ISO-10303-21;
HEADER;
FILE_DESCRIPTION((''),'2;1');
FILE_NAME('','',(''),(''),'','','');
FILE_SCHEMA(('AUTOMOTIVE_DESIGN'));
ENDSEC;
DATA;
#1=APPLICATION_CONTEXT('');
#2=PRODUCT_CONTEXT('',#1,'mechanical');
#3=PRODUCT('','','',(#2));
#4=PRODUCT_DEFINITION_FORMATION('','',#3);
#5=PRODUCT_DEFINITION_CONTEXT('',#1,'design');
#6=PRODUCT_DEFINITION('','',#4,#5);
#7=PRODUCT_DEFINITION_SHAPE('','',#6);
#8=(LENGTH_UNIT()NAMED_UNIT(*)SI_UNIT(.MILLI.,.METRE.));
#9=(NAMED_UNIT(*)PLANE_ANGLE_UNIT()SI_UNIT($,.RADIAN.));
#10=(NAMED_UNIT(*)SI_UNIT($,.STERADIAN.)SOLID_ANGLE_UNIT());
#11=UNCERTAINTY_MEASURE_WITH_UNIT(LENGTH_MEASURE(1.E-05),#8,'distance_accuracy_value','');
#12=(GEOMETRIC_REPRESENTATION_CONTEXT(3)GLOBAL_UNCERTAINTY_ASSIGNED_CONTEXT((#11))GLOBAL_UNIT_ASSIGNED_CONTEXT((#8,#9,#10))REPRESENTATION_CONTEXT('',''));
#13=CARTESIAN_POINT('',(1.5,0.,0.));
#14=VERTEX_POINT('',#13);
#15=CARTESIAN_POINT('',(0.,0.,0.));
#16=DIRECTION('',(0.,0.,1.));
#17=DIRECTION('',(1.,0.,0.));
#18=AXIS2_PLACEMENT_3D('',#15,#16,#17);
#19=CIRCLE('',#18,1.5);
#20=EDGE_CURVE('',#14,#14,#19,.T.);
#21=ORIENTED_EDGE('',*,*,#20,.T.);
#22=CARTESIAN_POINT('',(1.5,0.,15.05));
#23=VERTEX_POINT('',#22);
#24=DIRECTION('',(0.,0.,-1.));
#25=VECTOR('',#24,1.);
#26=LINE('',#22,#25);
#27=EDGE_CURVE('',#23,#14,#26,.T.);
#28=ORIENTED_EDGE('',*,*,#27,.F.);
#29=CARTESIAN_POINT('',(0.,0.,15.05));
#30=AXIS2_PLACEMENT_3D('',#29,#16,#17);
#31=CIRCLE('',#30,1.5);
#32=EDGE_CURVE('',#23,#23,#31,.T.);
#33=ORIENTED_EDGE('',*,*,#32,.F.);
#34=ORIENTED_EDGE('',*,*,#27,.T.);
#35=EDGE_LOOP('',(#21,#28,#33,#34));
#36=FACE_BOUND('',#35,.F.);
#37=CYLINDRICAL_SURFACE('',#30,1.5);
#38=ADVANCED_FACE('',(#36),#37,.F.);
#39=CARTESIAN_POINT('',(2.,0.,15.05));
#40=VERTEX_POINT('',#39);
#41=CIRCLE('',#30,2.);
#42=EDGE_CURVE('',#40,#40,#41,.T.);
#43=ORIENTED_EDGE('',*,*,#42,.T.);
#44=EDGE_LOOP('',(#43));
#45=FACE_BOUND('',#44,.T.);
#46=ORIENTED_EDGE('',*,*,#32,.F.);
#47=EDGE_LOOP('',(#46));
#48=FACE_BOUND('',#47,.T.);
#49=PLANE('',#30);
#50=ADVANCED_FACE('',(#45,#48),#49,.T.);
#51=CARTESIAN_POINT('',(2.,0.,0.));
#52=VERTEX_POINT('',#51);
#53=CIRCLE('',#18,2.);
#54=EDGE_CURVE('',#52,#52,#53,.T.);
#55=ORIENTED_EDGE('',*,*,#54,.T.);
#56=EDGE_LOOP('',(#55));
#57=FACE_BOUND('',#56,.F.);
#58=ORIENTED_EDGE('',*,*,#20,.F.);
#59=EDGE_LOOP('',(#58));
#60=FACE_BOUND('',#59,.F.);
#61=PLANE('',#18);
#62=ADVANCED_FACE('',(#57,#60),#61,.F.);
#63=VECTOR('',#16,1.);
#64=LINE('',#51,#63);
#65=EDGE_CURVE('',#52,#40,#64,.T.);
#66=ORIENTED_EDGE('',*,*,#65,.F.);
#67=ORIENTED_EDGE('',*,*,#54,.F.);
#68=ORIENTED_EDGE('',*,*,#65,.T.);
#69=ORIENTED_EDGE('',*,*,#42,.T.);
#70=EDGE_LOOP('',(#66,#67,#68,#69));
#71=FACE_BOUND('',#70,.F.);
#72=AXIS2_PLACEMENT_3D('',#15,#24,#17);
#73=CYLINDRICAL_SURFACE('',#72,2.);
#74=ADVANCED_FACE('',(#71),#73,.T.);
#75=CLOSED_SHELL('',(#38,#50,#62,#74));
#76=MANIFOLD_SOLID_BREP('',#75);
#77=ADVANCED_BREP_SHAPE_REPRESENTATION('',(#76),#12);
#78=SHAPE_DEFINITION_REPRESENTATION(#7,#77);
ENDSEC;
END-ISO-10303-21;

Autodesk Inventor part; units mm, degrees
ref_plane "YZ Plane" through (0, 0, 0) normal (1, 0, 0) x (0, 1, 0)
ref_plane "XZ Plane" through (0, 0, 0) normal (0, 1, 0) x (-1, 0, 0)
ref_plane "XY Plane" through (0, 0, 0) normal (0, 0, 1) x (1, 0, 0)
sketch "スケッチ1" plane through (0, 0, 0) normal (0, 0, 1) x (1, 0, 0)
  circle A0 centre (0, 0) radius 2
  dimension "d0" = 4
extrude "押し出し1" add sketch "スケッチ1" along normal blind 15.05
sketch "スケッチ2" plane through (0, 0, 15.05) normal (0, 0, 1) x (1, 0, 0)
  circle A0 centre (0, 0) radius 1.5
  dimension "d3" = 3
extrude "押し出し2" cut sketch "スケッチ2" against normal blind 15.05
thread "ねじ1" size "M3x0.5" class "6H" standard "ANSI Metric M Profile" full length
properties part number "shaft_15.05" material "アルミニウム 5052"
